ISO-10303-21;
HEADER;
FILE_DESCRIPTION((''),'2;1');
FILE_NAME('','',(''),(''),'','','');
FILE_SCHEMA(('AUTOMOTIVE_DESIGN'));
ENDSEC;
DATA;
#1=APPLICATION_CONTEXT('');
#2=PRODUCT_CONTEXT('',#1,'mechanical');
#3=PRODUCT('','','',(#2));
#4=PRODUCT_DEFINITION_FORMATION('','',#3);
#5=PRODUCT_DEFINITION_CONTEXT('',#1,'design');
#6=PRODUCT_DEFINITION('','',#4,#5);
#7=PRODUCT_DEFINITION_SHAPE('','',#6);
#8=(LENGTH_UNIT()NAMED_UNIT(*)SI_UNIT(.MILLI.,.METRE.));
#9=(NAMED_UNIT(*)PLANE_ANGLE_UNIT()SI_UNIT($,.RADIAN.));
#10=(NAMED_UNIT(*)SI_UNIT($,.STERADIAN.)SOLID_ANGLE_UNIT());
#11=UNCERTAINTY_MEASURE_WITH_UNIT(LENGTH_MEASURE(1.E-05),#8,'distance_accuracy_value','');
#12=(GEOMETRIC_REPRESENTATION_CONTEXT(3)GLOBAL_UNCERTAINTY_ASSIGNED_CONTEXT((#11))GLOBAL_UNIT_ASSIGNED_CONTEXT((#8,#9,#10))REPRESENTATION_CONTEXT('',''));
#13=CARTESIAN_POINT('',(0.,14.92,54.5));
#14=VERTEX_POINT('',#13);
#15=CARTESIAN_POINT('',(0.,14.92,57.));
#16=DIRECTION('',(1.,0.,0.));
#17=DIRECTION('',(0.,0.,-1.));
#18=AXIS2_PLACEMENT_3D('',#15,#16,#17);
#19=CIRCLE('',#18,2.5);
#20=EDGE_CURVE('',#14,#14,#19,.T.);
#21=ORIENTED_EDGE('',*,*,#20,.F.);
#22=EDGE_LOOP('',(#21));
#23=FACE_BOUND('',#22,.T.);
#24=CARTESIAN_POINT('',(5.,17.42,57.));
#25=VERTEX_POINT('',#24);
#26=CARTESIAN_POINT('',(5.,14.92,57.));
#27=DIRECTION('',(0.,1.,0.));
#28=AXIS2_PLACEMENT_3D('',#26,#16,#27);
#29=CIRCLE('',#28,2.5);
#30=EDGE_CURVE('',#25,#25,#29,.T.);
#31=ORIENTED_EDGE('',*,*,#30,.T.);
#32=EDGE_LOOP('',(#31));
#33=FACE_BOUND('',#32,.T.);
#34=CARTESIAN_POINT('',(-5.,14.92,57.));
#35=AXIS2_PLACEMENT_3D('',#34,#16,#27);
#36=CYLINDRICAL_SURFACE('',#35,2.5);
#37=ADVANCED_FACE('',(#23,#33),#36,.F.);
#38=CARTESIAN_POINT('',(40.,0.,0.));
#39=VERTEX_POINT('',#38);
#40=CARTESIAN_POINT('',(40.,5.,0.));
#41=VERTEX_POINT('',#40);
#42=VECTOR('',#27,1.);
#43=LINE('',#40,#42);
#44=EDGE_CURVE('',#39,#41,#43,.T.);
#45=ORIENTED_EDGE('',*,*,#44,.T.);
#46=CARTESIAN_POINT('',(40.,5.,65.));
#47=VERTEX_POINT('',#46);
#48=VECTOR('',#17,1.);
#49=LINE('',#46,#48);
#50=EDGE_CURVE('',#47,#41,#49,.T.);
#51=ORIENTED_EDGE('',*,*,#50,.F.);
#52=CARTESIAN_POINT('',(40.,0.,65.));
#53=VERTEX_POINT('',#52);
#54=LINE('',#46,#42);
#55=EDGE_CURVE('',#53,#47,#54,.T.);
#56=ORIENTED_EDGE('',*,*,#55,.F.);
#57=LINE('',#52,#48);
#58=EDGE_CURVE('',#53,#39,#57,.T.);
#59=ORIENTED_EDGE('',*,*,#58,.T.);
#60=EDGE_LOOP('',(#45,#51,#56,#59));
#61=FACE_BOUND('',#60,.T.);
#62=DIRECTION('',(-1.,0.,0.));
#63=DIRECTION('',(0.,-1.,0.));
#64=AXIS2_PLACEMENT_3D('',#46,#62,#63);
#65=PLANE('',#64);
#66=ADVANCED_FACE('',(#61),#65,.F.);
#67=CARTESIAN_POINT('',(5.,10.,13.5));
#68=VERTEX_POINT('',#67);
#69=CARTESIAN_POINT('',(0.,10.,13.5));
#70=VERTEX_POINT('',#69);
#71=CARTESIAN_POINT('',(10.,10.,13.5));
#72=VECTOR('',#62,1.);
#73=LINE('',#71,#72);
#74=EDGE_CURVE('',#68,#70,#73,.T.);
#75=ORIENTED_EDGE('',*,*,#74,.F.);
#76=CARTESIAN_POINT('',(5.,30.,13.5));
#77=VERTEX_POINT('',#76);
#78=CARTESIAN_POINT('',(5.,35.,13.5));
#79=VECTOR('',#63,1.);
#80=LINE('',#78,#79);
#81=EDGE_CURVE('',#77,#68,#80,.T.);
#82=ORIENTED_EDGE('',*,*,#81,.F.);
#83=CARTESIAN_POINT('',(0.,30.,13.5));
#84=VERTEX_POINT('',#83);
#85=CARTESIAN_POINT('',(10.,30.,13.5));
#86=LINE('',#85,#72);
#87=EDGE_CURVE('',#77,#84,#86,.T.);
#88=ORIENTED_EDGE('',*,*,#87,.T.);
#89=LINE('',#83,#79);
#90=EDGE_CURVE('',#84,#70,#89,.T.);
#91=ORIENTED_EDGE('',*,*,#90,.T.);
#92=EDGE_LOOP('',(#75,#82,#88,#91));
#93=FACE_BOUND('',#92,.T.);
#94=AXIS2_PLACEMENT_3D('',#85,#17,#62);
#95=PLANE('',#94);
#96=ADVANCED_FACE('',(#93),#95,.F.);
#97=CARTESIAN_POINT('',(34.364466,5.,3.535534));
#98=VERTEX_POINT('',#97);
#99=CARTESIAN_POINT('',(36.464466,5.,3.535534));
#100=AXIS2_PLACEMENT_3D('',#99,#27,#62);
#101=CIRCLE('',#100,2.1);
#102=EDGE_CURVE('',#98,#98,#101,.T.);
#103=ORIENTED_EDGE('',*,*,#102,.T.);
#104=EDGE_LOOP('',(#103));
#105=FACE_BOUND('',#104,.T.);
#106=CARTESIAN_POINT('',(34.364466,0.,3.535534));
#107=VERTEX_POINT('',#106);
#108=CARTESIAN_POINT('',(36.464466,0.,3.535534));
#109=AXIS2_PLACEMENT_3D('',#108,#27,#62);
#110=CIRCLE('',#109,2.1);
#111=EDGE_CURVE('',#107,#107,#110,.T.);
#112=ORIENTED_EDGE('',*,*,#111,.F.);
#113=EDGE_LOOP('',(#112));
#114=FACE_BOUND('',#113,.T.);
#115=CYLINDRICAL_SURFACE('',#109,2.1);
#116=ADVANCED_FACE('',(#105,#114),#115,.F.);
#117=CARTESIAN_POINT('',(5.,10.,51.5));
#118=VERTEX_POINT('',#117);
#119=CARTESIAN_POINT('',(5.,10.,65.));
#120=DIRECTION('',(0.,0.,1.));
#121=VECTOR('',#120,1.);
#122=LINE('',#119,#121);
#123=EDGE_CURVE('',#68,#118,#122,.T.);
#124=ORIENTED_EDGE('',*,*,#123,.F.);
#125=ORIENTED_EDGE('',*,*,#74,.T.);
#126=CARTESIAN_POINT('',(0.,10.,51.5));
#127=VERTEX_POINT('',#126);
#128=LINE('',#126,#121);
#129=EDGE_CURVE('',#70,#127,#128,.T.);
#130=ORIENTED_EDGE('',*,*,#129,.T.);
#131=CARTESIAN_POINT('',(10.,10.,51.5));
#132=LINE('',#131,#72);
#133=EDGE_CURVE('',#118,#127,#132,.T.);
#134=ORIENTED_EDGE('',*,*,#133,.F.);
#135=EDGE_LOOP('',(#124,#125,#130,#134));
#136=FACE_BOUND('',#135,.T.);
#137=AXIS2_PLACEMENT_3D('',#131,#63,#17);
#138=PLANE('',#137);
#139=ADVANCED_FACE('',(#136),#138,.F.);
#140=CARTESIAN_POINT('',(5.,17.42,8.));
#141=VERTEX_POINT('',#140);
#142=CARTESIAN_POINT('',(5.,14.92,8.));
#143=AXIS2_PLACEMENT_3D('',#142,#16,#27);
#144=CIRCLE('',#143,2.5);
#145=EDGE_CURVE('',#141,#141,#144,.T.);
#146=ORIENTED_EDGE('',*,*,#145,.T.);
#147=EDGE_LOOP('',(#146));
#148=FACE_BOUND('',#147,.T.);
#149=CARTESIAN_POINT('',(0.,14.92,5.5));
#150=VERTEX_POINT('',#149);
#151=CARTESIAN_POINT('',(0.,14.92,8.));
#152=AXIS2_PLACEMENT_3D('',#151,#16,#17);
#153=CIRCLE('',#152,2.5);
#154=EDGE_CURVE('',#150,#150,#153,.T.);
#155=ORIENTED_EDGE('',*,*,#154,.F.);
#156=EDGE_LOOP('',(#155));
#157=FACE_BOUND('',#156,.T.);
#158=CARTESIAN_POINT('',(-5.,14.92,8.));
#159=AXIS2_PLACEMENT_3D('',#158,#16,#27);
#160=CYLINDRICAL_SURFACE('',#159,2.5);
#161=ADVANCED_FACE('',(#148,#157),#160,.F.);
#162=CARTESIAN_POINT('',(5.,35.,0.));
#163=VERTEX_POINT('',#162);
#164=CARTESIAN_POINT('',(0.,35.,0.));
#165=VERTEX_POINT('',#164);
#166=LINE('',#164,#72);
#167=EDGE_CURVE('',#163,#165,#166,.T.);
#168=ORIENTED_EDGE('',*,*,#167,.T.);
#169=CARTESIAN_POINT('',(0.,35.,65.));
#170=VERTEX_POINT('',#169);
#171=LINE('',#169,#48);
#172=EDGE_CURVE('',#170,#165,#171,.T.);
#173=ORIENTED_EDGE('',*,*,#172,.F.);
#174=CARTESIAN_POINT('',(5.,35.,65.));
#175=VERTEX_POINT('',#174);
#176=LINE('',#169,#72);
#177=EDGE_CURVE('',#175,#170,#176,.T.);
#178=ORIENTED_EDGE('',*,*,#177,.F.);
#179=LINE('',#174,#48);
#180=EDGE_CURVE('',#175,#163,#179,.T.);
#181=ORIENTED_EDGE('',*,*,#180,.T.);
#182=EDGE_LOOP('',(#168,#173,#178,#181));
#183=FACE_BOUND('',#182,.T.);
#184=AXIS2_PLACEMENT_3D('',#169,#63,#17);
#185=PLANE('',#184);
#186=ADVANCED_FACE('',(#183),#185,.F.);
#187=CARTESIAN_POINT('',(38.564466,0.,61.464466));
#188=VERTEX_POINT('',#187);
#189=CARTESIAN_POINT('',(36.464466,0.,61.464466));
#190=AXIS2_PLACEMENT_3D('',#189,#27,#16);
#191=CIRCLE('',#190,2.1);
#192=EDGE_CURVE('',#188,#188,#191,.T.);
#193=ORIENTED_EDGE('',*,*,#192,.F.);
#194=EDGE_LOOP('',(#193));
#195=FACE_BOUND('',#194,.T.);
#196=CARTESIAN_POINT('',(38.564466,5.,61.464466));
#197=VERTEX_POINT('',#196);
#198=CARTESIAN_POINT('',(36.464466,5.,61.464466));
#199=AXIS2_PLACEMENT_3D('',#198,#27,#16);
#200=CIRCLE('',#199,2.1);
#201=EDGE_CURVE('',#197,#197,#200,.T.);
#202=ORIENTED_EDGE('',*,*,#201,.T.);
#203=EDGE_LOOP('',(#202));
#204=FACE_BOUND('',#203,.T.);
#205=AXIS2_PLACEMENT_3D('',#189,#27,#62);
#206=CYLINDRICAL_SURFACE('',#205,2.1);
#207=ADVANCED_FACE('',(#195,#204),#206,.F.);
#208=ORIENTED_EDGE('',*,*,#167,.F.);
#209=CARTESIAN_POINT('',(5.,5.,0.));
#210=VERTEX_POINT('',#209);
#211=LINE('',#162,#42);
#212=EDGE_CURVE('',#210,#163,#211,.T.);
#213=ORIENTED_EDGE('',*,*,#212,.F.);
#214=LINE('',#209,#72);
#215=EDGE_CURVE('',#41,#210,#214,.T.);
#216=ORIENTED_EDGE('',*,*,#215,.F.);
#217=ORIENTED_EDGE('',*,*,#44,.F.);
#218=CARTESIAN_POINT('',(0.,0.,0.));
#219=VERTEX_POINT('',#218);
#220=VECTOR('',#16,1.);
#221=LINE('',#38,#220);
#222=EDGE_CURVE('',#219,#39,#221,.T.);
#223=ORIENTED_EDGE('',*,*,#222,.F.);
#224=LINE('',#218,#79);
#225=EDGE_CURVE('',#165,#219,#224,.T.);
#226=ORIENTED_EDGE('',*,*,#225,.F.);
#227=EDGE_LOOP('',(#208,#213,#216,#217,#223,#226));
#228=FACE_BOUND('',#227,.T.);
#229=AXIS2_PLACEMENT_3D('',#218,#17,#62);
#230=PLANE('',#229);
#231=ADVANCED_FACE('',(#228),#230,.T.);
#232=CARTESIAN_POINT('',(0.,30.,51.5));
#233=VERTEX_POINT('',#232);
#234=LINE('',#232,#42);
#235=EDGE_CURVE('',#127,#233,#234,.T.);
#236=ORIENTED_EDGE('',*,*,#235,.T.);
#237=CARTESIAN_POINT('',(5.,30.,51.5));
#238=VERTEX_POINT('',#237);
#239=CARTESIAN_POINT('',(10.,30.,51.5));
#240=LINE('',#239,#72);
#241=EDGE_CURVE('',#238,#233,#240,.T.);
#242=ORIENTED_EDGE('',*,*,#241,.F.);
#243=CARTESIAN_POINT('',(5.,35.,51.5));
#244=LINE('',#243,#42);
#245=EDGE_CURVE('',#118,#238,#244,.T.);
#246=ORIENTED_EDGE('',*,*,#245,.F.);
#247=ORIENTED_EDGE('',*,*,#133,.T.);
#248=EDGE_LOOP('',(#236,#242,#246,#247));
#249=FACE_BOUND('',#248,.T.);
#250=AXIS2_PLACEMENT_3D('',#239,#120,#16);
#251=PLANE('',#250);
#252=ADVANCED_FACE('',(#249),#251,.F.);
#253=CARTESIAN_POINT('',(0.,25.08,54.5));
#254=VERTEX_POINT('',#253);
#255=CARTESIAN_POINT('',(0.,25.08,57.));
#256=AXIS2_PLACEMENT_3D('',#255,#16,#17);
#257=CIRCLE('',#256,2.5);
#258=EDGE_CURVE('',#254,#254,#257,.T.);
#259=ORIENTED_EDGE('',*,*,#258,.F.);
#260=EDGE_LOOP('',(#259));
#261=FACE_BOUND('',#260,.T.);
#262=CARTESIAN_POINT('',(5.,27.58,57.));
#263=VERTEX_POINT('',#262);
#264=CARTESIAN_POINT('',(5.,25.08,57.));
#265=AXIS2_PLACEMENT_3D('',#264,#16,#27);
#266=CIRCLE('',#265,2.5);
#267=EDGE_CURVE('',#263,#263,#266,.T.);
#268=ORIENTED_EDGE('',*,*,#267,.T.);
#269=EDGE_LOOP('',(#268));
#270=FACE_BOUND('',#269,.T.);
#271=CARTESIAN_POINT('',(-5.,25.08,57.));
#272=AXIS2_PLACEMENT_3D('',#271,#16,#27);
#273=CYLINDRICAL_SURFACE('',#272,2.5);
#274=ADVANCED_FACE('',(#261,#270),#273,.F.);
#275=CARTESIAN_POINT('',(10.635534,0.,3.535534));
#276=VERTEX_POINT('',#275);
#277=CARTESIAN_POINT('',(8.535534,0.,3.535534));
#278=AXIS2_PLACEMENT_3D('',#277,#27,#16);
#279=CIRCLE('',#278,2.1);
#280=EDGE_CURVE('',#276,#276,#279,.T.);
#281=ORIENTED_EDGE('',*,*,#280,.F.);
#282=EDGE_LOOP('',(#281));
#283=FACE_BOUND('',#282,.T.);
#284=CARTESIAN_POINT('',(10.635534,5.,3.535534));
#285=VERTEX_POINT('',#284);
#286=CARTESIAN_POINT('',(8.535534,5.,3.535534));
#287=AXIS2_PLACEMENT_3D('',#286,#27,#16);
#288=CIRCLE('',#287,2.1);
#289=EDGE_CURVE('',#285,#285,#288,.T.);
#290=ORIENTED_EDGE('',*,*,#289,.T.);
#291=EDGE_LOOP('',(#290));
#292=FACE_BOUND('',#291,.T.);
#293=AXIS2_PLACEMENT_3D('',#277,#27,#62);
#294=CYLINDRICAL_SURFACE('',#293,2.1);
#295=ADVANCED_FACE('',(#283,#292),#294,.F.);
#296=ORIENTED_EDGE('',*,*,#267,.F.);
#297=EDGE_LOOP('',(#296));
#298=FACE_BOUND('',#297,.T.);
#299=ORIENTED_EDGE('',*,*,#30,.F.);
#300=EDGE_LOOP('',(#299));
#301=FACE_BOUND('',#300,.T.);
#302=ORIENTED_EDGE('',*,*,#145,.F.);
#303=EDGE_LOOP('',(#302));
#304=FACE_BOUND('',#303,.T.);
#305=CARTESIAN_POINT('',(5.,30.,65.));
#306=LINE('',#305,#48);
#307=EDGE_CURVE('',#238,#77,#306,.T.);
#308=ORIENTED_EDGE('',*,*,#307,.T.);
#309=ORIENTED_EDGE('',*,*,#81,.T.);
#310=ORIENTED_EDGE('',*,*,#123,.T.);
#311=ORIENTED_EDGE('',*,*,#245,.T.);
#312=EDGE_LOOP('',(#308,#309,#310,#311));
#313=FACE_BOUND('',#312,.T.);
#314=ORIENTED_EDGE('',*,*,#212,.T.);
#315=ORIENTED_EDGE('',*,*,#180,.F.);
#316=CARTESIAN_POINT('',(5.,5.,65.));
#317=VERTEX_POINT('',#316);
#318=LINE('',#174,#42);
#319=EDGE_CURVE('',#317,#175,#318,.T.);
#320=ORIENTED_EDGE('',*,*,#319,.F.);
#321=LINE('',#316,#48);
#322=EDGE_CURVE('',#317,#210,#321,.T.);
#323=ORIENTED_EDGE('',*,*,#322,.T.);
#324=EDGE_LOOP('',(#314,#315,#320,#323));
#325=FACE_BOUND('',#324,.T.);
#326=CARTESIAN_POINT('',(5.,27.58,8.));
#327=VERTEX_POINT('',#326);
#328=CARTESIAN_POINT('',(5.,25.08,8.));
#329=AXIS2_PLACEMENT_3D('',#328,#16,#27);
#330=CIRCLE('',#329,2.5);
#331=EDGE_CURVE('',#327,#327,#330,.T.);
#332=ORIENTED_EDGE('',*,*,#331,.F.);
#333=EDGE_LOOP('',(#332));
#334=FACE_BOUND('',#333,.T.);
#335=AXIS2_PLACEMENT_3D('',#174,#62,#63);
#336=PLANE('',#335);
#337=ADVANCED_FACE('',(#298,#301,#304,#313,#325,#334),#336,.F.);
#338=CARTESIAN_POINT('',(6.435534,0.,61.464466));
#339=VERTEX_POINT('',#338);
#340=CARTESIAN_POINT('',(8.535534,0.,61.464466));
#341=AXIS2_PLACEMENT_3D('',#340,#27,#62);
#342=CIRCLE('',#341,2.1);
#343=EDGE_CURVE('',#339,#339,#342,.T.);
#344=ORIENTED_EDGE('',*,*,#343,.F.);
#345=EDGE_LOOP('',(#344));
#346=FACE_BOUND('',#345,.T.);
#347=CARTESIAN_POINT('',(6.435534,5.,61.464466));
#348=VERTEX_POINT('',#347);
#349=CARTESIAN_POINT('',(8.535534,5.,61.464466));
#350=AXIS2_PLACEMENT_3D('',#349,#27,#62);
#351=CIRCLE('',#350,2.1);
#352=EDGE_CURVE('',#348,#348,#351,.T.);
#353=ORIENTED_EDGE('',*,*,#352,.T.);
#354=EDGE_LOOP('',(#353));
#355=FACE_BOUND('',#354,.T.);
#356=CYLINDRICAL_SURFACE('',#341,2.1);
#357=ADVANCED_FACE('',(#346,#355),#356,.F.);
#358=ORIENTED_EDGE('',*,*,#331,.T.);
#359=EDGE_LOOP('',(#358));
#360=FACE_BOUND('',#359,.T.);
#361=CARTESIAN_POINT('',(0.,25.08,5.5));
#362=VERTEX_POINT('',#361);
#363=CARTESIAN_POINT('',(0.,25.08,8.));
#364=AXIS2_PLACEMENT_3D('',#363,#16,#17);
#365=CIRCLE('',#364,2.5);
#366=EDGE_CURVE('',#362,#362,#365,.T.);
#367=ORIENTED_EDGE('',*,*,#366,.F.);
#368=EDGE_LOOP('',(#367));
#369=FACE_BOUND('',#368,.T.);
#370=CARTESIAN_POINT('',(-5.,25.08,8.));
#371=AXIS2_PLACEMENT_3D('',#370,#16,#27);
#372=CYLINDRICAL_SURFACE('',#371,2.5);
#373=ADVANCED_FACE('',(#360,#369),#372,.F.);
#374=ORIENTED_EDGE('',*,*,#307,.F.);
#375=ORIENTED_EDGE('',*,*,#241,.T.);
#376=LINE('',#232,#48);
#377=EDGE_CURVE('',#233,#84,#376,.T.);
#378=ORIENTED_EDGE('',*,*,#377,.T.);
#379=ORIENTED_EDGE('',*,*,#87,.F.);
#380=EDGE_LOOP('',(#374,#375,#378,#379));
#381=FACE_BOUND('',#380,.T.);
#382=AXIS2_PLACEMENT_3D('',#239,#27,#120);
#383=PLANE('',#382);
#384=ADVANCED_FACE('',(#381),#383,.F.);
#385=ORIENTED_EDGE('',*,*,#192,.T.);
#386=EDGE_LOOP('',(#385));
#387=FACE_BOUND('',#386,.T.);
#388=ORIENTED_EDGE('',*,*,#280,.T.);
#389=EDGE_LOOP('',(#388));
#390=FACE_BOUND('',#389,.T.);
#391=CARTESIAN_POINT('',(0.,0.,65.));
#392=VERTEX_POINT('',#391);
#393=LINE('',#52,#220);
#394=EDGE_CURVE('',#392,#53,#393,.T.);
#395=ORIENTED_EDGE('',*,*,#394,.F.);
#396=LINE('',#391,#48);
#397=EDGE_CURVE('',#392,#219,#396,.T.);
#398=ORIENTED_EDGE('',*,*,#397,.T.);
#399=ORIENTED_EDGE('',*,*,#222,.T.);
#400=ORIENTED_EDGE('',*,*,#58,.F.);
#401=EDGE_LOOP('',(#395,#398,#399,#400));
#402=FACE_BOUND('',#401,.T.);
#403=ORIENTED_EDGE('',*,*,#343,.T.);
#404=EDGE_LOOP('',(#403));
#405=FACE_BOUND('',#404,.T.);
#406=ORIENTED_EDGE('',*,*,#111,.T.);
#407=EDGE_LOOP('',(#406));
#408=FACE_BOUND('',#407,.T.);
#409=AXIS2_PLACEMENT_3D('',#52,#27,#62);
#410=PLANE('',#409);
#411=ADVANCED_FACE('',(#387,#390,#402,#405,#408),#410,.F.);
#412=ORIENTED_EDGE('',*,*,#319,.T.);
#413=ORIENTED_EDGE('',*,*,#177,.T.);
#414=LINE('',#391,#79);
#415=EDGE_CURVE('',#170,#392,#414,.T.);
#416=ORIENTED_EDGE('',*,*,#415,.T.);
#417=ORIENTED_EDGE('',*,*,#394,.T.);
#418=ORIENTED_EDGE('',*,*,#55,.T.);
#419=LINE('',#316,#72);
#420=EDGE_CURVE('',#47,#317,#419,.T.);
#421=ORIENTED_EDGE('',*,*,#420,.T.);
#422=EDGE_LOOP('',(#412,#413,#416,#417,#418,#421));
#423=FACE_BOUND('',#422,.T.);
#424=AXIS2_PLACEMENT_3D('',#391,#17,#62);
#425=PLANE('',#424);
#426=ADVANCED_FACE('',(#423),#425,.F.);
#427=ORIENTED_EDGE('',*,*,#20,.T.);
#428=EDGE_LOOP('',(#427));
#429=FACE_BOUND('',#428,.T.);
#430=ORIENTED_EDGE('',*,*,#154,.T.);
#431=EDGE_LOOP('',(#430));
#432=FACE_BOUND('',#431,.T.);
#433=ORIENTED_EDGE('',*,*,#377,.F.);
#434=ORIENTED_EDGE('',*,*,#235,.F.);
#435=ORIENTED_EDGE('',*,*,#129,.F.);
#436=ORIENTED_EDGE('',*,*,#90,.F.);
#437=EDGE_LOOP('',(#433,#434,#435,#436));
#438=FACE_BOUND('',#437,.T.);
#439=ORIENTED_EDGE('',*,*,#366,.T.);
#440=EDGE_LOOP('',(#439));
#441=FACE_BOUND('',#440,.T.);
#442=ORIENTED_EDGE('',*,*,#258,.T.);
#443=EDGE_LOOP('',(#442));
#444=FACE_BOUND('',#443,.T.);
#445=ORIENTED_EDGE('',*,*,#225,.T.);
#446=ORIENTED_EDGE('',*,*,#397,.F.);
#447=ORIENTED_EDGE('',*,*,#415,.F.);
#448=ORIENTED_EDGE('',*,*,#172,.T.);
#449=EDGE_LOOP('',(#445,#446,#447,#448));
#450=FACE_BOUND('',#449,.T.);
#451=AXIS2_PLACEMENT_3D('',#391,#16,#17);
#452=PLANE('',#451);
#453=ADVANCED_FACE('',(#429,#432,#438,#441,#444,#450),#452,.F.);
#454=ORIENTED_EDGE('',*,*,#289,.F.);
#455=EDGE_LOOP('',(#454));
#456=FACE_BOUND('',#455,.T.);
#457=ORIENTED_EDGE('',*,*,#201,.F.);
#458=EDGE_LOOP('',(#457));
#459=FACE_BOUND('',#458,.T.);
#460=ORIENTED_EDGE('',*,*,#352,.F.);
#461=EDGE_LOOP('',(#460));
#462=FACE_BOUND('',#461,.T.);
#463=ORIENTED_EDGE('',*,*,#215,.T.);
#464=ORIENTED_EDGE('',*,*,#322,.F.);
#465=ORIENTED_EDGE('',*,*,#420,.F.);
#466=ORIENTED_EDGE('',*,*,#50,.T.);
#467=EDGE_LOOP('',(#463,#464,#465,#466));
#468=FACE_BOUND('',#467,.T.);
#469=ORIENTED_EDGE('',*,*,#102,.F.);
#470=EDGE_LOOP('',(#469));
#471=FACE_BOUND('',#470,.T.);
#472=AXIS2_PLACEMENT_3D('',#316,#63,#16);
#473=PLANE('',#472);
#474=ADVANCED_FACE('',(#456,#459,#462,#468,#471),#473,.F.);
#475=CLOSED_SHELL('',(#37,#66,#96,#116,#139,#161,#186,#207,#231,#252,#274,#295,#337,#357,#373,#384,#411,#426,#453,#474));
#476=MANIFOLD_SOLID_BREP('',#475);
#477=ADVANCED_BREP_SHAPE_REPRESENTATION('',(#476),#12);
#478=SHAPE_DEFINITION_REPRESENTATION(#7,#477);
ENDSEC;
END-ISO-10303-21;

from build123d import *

# Parameters (mm, degrees)
BOSS_EXTRUDE1_DEPTH = 65
SKETCH2_R           = 2.5
CUT_EXTRUDE1_DEPTH  = 10
SKETCH3_W           = 38
SKETCH3_H           = 20
CUT_EXTRUDE2_DEPTH  = 10
SKETCH6_R           = 2.1
CUT_EXTRUDE5_DEPTH  = 6


with BuildPart() as part:
    # Sketch1 → Boss-Extrude1 (new body)
    with BuildSketch(Plane.XY):
        Polygon((0, 0), (0, 35), (5, 35), (5, 5), (40, 5), (40, 0), align=None)
    extrude(amount=BOSS_EXTRUDE1_DEPTH)

    # Sketch2 → Cut-Extrude1 (cut)
    with BuildSketch(Plane(origin=(5, 0, 0), x_dir=(0, 0, -1), z_dir=(1, 0, 0))):
        with Locations((-8, 25.08)):
            Circle(SKETCH2_R)
        with Locations((-8, 14.92)):
            Circle(SKETCH2_R)
        with Locations((-57, 25.08)):
            Circle(SKETCH2_R)
        with Locations((-57, 14.92)):
            Circle(SKETCH2_R)
    extrude(amount=-CUT_EXTRUDE1_DEPTH, mode=Mode.SUBTRACT)

    # Sketch3 → Cut-Extrude2 (cut)
    with BuildSketch(Plane.ZY):
        with Locations((32.5, 20)):
            Rectangle(SKETCH3_W, SKETCH3_H)
    extrude(amount=-CUT_EXTRUDE2_DEPTH, mode=Mode.SUBTRACT)

    # Sketch6 → Cut-Extrude5 (cut, through all)
    with BuildSketch(Plane(origin=(0, 5, 0), x_dir=(1, 0, 0), z_dir=(0, 1, 0))):
        with Locations((36.464466094, -3.535533906)):
            Circle(SKETCH6_R)
        with Locations((8.535533906, -3.535533906)):
            Circle(SKETCH6_R)
        with Locations((36.464466094, -61.464466094)):
            Circle(SKETCH6_R)
        with Locations((8.535533906, -61.464466094)):
            Circle(SKETCH6_R)
    extrude(amount=-CUT_EXTRUDE5_DEPTH, mode=Mode.SUBTRACT)


solid = part.part
